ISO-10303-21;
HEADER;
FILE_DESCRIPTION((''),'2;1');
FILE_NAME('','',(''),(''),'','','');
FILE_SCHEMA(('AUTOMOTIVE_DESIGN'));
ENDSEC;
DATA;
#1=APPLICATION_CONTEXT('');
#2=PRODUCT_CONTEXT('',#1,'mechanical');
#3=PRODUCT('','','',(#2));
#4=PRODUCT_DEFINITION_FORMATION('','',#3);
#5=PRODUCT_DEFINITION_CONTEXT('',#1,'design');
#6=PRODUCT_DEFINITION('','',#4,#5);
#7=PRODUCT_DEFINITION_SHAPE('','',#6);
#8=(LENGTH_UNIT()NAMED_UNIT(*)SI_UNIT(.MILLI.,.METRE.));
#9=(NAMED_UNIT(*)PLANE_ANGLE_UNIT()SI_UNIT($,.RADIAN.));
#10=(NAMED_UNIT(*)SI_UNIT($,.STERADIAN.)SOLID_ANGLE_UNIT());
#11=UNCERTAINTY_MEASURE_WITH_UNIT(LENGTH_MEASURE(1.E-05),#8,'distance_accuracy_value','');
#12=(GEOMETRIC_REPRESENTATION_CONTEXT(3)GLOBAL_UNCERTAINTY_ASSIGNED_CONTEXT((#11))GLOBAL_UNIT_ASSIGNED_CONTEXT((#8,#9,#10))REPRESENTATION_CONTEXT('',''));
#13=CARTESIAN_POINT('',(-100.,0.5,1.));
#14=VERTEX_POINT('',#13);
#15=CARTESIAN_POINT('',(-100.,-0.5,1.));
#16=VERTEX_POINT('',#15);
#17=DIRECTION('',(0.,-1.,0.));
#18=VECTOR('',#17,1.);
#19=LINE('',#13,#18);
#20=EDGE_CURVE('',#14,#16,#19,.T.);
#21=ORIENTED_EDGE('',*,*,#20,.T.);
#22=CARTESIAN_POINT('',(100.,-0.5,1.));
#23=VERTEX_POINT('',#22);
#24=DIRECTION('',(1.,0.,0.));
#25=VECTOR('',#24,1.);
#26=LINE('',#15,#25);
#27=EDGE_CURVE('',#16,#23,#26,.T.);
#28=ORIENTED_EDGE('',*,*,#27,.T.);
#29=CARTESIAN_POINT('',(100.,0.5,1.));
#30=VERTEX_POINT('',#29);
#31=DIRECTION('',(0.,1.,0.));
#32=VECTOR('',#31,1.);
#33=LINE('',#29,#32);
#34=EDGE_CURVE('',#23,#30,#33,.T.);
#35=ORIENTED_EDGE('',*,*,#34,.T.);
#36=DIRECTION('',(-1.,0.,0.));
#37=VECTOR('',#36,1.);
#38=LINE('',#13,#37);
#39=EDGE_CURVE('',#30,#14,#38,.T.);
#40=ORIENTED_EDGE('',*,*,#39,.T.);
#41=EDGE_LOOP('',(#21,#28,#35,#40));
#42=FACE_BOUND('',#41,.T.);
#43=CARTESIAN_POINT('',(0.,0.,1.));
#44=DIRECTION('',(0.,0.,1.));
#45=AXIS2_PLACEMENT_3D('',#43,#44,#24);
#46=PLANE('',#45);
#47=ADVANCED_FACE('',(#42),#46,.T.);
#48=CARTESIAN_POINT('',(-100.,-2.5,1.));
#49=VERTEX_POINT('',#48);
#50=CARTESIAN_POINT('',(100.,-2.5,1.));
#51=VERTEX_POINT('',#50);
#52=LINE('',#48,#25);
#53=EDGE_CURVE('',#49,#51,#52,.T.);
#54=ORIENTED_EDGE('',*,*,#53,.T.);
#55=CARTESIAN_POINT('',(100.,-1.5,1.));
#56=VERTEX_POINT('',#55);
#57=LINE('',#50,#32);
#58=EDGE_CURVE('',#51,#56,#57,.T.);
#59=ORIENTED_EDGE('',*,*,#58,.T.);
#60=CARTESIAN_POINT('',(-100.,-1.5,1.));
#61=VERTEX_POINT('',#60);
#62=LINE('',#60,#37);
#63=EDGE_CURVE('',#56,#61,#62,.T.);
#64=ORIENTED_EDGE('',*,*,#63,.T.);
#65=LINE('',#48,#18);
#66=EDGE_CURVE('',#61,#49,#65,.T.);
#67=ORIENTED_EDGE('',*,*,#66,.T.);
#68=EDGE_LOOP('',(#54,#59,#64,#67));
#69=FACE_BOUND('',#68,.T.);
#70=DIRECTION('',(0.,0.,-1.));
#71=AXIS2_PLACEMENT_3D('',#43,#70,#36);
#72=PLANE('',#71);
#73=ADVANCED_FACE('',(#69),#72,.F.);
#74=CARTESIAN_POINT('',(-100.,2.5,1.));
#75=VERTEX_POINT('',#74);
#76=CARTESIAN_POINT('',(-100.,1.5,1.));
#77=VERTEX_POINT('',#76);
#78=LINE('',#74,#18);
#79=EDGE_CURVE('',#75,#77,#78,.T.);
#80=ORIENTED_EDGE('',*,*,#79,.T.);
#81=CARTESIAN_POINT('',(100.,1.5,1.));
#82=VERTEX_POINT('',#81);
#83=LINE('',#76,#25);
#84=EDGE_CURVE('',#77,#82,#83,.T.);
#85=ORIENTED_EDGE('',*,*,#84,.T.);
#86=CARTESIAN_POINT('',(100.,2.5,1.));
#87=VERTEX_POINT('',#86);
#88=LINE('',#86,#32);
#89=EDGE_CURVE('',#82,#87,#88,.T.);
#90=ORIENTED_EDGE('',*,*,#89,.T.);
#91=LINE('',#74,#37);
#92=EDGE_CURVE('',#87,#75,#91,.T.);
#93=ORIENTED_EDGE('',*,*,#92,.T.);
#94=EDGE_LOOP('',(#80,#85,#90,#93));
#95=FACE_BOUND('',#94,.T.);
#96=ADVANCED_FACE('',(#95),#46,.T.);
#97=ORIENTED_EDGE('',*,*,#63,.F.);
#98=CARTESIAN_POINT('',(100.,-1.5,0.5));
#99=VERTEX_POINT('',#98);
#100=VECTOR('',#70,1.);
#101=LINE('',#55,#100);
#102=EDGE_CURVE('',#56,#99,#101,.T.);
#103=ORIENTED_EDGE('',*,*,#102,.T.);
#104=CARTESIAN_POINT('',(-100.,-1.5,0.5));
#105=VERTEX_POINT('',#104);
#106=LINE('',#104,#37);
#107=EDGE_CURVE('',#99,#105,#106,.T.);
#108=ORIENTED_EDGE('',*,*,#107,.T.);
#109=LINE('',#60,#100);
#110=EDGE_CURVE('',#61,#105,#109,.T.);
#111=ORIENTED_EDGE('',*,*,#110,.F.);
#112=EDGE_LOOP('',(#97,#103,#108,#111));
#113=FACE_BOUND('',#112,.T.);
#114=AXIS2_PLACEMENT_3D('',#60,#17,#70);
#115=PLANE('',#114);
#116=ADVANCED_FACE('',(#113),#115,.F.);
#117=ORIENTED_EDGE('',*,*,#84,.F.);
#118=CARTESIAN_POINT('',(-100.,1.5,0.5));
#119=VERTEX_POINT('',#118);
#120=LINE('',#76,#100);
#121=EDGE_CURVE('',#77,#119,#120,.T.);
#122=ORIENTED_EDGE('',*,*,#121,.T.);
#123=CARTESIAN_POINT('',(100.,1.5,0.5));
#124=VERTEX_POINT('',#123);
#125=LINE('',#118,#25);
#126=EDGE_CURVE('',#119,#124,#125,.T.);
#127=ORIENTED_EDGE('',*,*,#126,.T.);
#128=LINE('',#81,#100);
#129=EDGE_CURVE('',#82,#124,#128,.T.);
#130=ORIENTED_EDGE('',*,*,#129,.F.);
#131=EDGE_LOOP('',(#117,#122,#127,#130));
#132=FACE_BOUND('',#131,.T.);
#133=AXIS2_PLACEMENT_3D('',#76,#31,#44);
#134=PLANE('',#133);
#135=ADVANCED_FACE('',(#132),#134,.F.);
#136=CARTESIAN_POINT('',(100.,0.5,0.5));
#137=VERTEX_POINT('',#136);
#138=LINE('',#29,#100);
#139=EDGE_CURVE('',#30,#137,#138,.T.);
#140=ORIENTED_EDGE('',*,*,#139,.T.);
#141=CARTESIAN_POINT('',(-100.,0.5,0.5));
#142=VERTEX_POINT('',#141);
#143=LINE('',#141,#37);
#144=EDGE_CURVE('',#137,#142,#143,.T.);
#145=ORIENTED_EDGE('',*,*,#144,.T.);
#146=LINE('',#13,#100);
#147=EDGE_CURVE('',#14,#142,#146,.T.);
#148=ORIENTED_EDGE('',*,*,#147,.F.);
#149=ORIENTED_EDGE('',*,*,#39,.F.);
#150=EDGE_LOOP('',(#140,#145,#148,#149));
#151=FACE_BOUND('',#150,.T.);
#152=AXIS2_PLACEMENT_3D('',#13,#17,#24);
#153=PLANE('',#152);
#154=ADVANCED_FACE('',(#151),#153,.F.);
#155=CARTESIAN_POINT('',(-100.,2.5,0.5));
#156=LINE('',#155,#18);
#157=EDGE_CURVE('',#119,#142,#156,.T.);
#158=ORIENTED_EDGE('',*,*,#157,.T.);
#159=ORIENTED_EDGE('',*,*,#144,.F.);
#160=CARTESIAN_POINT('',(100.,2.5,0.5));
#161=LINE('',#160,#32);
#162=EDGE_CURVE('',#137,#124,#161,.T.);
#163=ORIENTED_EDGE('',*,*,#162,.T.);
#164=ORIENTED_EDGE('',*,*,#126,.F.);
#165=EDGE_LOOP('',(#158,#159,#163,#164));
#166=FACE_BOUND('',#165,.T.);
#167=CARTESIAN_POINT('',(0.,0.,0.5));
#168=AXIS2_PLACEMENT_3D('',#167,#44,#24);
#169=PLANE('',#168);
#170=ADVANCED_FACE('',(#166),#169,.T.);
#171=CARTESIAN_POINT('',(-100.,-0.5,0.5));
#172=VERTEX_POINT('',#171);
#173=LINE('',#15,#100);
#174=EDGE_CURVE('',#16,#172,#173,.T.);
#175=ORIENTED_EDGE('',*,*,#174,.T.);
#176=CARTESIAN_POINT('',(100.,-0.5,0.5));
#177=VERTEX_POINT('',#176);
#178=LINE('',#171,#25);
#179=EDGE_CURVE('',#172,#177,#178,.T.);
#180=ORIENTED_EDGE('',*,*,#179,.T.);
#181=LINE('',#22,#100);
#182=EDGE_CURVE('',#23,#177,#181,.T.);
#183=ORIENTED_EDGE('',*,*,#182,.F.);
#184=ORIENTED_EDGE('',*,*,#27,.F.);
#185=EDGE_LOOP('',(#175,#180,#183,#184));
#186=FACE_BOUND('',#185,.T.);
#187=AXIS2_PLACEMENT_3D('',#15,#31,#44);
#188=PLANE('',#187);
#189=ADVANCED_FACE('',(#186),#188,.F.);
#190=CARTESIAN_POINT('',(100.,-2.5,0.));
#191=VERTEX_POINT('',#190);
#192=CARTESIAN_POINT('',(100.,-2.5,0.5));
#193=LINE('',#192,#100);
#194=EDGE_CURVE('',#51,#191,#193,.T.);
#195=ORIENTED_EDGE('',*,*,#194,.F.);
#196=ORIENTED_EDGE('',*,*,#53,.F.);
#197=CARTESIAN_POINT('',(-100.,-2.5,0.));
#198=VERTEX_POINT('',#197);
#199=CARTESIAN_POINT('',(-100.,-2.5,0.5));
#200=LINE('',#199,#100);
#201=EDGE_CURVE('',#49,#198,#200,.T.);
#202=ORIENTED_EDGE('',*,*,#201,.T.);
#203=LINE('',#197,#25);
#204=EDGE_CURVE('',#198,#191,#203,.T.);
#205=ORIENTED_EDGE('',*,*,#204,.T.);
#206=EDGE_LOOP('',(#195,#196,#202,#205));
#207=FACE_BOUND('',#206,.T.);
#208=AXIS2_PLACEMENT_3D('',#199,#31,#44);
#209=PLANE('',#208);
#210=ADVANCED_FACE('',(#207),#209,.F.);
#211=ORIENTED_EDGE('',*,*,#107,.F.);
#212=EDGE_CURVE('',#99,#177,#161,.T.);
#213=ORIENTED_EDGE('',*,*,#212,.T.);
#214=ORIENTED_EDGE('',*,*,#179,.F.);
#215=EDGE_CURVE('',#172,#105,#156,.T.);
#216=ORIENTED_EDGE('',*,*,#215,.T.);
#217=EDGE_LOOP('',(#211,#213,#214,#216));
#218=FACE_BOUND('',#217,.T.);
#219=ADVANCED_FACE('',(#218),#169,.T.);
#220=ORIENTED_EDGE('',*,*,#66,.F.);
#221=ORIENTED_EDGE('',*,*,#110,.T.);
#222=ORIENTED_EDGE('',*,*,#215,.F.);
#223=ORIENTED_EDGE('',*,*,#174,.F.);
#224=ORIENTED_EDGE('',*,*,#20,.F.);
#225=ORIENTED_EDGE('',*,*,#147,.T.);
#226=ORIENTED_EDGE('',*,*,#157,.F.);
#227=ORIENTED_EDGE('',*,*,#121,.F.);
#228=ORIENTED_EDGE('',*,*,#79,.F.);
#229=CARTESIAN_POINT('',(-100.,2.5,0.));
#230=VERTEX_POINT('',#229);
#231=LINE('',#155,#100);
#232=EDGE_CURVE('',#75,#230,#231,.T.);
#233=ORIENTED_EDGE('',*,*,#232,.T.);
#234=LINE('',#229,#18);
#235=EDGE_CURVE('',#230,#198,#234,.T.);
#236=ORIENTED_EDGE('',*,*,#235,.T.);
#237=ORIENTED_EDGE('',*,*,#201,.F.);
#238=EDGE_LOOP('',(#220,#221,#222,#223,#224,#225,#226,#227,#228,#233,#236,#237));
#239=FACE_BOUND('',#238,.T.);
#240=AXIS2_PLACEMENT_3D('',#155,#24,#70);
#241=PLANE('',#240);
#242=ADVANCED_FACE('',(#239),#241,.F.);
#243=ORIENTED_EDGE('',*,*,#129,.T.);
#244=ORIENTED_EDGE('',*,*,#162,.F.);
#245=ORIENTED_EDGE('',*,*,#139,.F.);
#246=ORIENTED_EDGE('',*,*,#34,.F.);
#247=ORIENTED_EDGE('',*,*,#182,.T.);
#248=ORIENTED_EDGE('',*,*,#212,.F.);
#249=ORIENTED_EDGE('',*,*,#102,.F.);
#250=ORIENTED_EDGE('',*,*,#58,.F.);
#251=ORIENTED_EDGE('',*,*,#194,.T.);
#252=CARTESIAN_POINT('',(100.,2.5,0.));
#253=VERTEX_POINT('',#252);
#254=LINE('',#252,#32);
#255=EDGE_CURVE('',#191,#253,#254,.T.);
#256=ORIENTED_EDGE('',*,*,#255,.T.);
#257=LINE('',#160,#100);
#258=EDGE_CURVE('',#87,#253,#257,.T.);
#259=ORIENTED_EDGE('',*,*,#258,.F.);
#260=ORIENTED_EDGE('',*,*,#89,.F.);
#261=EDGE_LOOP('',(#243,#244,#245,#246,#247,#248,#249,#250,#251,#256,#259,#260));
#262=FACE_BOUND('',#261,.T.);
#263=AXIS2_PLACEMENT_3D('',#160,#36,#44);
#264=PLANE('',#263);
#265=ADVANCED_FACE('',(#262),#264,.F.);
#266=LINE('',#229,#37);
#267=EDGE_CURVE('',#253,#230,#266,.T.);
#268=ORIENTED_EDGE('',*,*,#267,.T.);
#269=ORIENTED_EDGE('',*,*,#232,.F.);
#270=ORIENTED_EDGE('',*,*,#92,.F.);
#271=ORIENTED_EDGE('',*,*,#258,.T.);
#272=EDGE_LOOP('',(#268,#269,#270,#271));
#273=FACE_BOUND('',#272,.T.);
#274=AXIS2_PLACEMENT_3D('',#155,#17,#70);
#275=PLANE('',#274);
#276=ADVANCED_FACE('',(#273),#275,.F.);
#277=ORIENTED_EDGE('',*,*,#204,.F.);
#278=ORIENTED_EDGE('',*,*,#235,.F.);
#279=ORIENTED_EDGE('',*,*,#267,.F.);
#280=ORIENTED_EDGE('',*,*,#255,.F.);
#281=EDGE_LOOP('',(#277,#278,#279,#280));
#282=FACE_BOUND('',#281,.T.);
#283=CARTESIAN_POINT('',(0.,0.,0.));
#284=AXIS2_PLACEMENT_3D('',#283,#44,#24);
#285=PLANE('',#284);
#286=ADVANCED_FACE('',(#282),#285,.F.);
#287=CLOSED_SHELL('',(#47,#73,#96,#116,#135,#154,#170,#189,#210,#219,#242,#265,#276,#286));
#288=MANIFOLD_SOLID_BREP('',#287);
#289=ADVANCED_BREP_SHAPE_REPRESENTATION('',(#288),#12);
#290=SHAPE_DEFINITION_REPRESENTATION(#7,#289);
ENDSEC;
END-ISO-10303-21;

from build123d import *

# Parameters (mm, degrees)
SKETCH1_W           = 200
SKETCH1_H           = 5
BOSS_EXTRUDE1_DEPTH = 0.5
SKETCH2_W           = 200
SKETCH2_H           = 1
BOSS_EXTRUDE2_DEPTH = 0.5


with BuildPart() as part:
    # Sketch1 → Boss-Extrude1 (new body)
    with BuildSketch(Plane.XY):
        Rectangle(SKETCH1_W, SKETCH1_H)
    extrude(amount=BOSS_EXTRUDE1_DEPTH)

    # Sketch2 → Boss-Extrude2 (add)
    with BuildSketch(Plane.XY.offset(0.5)):
        with Locations((0, 2)):
            Rectangle(SKETCH2_W, SKETCH2_H)
        Rectangle(SKETCH2_W, SKETCH2_H)
        with Locations((0, -2)):
            Rectangle(SKETCH2_W, SKETCH2_H)
    extrude(amount=BOSS_EXTRUDE2_DEPTH)


solid = part.part
